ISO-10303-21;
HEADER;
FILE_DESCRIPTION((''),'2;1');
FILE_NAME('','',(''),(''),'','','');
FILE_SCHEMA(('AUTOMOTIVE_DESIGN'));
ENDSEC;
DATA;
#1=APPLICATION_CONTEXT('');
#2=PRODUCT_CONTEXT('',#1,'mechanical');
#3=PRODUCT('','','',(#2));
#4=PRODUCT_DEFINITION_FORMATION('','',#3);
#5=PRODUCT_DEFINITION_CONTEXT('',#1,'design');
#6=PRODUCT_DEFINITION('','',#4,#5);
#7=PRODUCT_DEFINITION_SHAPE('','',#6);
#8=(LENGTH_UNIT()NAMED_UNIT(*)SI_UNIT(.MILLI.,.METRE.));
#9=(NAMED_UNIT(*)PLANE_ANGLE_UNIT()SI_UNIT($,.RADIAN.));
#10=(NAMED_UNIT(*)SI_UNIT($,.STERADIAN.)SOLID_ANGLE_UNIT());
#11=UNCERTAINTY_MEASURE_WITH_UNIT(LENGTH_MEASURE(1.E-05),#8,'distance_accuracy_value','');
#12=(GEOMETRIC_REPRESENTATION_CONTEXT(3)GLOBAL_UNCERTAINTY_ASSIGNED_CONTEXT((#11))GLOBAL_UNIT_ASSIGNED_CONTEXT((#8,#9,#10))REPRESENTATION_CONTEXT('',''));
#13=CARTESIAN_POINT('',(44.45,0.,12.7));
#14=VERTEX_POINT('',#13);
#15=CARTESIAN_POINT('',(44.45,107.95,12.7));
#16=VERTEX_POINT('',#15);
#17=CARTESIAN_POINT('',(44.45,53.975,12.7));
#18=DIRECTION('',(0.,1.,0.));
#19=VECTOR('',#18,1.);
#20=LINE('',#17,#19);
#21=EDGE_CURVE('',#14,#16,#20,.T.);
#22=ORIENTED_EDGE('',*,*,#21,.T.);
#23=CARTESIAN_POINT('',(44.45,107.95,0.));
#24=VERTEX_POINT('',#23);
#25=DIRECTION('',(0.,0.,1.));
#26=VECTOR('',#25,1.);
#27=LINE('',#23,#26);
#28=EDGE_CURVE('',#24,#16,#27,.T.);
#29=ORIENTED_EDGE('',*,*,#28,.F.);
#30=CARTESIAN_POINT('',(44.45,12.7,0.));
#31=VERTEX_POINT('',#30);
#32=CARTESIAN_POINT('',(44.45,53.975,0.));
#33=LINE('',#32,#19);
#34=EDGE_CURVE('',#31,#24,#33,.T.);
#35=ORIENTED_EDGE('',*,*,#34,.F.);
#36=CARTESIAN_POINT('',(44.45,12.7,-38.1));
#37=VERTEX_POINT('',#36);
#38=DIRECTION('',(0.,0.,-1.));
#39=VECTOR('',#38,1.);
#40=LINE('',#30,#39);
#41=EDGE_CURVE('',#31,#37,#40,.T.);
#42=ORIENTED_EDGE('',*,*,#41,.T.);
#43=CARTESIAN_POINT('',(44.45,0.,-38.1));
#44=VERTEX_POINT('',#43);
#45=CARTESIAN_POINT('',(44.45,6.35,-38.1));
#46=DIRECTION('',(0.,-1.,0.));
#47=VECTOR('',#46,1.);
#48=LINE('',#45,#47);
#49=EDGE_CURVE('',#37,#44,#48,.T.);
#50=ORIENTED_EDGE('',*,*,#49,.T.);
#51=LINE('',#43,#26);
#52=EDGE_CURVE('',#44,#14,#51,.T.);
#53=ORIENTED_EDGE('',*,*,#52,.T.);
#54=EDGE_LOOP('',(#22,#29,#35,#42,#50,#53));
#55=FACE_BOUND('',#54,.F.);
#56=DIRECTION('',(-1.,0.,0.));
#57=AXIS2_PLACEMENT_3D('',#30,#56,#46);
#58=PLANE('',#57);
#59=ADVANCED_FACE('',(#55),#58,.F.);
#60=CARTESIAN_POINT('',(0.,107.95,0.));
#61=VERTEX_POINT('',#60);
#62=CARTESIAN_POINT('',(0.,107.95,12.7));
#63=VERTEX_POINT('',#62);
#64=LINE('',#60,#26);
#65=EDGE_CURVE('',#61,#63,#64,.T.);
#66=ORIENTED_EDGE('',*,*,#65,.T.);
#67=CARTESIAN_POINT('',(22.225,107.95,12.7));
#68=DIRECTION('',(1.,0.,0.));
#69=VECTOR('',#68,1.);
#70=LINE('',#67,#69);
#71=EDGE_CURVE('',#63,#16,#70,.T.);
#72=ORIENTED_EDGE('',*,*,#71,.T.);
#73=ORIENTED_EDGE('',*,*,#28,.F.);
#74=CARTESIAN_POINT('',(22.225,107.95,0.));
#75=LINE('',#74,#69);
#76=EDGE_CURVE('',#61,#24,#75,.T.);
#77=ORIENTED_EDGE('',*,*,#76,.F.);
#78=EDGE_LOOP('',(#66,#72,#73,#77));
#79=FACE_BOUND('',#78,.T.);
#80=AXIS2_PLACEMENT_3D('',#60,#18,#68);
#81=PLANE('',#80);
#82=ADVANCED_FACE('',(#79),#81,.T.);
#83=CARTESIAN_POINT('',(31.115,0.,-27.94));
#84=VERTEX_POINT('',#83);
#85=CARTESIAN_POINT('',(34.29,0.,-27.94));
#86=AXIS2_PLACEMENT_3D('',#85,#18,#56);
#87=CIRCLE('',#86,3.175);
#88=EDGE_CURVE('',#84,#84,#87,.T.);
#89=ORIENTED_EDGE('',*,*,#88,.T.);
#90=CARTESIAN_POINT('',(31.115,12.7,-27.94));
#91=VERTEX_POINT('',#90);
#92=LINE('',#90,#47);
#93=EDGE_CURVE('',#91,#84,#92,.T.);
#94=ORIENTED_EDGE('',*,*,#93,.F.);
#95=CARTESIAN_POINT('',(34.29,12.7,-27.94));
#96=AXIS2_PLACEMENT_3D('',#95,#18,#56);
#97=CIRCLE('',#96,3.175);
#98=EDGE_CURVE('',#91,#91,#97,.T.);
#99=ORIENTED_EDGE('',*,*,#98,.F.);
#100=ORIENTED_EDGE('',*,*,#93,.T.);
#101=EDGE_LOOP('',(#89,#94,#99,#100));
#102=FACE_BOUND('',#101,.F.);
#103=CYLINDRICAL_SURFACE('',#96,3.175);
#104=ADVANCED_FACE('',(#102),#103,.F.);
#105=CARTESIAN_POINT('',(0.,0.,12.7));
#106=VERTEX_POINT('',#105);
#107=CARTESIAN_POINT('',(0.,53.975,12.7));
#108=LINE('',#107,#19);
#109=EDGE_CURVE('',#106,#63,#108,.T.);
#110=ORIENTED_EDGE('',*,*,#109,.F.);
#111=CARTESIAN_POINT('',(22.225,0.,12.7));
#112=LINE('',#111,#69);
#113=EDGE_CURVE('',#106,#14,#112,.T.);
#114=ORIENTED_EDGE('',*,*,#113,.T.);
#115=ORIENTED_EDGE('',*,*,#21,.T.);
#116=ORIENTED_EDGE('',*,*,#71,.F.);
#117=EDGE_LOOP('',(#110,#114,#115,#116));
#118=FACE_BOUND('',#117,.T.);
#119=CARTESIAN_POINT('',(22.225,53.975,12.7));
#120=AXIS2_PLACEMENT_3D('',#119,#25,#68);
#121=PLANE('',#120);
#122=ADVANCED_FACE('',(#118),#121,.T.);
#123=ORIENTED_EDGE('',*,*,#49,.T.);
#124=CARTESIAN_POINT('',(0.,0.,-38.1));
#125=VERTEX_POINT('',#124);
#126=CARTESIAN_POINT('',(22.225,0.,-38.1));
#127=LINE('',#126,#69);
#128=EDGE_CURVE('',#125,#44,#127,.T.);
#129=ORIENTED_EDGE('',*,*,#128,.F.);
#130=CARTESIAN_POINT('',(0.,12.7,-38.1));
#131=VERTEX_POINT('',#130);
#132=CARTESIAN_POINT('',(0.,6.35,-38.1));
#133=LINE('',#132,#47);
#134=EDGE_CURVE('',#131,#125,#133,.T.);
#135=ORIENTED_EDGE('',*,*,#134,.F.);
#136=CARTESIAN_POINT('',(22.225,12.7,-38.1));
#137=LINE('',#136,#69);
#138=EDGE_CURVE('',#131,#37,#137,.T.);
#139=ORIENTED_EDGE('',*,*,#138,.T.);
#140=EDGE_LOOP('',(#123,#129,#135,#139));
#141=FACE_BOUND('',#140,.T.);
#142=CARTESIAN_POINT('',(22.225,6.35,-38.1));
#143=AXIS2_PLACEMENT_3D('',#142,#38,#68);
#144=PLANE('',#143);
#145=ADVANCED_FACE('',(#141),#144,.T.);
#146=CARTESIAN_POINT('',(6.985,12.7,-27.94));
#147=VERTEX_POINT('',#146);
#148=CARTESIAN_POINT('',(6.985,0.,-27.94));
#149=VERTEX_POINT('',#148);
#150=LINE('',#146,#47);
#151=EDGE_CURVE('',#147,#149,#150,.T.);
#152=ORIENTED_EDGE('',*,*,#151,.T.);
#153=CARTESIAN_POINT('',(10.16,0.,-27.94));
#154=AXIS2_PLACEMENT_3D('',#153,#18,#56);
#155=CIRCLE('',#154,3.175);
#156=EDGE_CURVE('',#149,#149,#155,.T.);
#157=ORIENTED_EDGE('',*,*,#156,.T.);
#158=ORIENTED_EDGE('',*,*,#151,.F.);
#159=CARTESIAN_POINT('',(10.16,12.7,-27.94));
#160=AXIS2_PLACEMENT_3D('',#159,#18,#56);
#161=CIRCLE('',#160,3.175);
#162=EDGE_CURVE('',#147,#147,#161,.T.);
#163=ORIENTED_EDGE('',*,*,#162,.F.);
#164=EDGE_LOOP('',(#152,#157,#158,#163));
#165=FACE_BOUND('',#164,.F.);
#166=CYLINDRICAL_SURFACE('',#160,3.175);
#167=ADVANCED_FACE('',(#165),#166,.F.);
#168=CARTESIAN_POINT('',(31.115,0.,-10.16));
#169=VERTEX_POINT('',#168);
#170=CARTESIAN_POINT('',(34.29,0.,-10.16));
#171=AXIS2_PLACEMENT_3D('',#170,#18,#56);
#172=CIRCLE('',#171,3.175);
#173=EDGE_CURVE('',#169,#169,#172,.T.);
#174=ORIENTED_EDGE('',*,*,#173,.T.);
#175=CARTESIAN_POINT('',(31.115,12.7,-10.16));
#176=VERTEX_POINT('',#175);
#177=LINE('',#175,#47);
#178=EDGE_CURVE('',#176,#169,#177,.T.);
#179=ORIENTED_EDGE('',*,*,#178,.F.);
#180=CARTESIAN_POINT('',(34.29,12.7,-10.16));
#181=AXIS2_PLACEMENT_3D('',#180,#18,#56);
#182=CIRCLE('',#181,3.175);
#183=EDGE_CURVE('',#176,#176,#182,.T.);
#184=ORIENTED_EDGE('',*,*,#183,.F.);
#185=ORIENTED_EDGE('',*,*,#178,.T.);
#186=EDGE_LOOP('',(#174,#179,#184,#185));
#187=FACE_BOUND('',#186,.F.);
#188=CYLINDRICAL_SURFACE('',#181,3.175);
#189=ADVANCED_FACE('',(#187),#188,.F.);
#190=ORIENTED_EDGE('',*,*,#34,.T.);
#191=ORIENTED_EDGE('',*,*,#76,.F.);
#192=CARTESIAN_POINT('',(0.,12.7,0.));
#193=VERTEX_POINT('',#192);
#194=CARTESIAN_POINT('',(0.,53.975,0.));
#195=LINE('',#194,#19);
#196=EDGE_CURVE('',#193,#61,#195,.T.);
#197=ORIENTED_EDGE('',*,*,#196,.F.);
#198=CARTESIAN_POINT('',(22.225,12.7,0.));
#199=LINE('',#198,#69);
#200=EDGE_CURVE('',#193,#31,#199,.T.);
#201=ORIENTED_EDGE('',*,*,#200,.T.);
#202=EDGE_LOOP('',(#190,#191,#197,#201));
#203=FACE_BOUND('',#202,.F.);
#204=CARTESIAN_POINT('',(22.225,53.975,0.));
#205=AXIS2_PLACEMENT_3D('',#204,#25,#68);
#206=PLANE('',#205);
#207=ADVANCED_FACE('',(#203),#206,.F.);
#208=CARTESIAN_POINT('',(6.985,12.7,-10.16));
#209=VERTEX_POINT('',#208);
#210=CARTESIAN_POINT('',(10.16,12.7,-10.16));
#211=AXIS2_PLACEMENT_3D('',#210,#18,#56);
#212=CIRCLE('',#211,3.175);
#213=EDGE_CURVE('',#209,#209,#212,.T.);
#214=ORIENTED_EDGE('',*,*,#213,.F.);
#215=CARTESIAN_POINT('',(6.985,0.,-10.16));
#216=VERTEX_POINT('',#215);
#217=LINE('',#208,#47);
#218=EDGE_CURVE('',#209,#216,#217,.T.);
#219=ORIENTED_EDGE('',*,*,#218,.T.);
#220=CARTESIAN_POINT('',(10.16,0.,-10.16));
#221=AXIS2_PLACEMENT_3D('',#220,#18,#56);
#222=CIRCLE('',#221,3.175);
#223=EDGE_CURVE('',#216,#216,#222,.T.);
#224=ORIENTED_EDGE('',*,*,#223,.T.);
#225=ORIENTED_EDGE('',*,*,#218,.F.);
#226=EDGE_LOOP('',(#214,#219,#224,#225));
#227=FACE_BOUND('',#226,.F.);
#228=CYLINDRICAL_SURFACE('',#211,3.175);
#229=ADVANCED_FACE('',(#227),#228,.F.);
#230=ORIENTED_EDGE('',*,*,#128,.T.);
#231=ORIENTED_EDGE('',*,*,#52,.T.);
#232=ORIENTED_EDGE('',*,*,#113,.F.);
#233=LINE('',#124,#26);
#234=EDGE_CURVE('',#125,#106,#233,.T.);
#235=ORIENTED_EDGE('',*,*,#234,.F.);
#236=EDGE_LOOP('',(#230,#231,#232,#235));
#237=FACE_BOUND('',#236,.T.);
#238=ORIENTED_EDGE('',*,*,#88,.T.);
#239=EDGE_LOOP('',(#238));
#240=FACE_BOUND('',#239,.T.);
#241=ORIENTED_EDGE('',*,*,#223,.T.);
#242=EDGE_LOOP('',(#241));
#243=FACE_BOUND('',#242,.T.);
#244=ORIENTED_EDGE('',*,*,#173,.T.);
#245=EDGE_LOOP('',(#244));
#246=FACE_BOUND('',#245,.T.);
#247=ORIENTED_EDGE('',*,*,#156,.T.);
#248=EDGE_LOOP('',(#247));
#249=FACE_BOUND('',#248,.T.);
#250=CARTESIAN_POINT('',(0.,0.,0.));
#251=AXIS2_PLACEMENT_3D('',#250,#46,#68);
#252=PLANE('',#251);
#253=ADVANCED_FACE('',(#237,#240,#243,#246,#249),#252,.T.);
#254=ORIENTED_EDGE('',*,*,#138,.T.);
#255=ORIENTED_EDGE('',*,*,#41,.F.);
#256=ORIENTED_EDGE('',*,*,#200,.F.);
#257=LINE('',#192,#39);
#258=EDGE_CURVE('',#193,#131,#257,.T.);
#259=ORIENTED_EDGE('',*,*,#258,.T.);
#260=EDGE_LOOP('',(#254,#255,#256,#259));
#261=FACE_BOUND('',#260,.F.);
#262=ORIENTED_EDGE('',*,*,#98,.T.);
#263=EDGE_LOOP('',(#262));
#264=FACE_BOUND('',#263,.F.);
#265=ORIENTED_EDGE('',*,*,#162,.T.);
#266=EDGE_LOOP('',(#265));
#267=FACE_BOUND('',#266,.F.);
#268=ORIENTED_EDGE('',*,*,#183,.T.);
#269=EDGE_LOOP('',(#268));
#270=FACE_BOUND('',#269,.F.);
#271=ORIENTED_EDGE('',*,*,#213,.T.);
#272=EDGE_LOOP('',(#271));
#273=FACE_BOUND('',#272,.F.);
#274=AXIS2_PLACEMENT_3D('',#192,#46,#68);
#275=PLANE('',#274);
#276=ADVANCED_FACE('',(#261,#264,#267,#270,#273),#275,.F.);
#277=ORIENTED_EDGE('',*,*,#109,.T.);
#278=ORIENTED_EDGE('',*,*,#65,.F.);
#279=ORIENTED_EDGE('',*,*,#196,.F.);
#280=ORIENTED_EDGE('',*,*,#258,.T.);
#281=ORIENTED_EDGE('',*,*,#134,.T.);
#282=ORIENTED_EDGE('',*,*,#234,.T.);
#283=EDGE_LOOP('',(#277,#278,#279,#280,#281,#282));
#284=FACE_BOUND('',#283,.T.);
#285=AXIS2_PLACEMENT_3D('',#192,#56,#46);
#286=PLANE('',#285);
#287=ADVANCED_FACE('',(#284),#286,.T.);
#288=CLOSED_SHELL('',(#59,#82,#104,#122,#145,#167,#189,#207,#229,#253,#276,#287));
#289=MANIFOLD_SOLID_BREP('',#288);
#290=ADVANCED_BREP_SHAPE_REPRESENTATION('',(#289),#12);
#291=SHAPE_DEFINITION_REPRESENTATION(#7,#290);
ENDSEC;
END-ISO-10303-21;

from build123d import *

# Parameters (mm, degrees)
F0_W     = 44.45
F0_H     = 107.95
F1_DEPTH = 12.7
F2_W     = 44.45
F2_H     = 12.7
F3_DEPTH = 38.1
F4_R     = 3.175
F5_DEPTH = 12.701


with BuildPart() as f1:
    # F0 (on Top) → F1 (new body)
    with BuildSketch(Plane.XY):
        with Locations((22.225, 53.975)):
            Rectangle(F0_W, F0_H)
    extrude(amount=F1_DEPTH)

    # F2 (on face) → F3 (join)
    with BuildSketch(Plane(origin=(0, 0, 0), x_dir=(1, 0, 0), z_dir=(0, 0, -1))):
        with Locations((22.225, -6.35)):
            Rectangle(F2_W, F2_H)
    extrude(amount=F3_DEPTH)

    # F4 (on face) → F5 (cut, through all)
    with BuildSketch(Plane(origin=(0, 12.7, 0), x_dir=(-1, 0, 0), z_dir=(0, 1, 0))):
        with Locations((-34.29, -10.16)):
            Circle(F4_R)
        with Locations((-34.29, -27.94)):
            Circle(F4_R)
        with Locations((-10.16, -10.16)):
            Circle(F4_R)
        with Locations((-10.16, -27.94)):
            Circle(F4_R)
    extrude(amount=-F5_DEPTH, mode=Mode.SUBTRACT)


solid = f1.part
